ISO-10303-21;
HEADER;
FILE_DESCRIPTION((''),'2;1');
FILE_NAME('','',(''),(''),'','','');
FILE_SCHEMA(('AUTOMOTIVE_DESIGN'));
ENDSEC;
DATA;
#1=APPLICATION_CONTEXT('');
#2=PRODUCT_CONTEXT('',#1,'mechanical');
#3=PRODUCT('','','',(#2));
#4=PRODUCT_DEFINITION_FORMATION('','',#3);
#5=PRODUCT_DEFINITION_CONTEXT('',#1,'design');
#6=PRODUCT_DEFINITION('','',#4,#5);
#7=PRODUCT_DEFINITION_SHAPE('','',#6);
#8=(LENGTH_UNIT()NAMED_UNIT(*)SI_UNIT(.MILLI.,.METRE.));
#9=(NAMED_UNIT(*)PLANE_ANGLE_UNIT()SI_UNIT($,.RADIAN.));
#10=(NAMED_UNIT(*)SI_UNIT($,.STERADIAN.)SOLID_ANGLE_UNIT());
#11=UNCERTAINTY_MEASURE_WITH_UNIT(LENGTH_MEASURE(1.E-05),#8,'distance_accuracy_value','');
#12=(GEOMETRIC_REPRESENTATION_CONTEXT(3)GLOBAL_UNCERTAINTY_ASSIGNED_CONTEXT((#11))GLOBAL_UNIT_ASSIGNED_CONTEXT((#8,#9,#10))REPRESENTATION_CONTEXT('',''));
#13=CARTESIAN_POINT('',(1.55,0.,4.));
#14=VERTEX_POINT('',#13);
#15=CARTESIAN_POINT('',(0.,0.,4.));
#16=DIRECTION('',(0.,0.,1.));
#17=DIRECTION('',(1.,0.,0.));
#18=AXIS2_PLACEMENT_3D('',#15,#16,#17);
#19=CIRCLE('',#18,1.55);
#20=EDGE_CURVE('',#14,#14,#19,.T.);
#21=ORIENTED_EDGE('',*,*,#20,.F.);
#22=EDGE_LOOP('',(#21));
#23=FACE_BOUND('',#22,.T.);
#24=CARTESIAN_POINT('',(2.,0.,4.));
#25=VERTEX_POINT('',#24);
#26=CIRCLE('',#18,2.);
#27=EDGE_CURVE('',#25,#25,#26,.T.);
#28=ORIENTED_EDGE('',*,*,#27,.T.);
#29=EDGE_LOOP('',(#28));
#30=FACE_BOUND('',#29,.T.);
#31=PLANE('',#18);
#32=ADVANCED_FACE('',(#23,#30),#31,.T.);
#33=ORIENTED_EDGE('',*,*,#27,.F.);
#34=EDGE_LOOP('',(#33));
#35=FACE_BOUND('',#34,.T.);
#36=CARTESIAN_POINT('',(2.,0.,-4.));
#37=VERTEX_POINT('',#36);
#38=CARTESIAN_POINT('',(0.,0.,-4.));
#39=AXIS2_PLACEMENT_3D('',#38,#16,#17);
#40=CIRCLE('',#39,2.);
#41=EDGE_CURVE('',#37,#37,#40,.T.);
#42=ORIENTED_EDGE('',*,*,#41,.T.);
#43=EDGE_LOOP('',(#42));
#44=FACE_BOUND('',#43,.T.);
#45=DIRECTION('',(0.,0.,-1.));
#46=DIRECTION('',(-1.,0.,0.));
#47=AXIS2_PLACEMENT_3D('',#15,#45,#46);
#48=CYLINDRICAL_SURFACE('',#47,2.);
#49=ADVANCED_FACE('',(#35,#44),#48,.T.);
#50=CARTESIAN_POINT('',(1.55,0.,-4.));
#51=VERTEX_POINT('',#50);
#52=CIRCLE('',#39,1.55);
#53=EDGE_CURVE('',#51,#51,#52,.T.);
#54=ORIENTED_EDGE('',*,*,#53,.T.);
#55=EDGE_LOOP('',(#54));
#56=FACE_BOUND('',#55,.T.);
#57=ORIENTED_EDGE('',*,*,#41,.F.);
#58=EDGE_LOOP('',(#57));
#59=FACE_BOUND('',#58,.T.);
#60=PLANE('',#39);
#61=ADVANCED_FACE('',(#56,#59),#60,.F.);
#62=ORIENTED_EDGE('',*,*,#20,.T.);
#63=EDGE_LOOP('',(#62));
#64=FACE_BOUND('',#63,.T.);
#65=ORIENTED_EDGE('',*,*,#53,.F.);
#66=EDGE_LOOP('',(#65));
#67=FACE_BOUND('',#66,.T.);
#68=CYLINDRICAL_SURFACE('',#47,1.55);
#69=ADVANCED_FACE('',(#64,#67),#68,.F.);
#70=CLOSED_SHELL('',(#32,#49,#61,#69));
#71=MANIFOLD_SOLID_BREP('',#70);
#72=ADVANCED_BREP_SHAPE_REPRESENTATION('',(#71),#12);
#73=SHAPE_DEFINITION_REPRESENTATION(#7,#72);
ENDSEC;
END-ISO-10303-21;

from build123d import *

# Parameters (mm, degrees)
ESQUISSE1_R        = 2
ESQUISSE1_R_2      = 1.55
BOSS_EXTRU_1_DEPTH = 4


with BuildPart() as part:
    # Esquisse1 → Boss.-Extru.1 (new, symmetric)
    with BuildSketch(Plane.XY):
        Circle(ESQUISSE1_R)
        Circle(ESQUISSE1_R_2, mode=Mode.SUBTRACT)
    extrude(amount=BOSS_EXTRU_1_DEPTH, both=True)


solid = part.part
